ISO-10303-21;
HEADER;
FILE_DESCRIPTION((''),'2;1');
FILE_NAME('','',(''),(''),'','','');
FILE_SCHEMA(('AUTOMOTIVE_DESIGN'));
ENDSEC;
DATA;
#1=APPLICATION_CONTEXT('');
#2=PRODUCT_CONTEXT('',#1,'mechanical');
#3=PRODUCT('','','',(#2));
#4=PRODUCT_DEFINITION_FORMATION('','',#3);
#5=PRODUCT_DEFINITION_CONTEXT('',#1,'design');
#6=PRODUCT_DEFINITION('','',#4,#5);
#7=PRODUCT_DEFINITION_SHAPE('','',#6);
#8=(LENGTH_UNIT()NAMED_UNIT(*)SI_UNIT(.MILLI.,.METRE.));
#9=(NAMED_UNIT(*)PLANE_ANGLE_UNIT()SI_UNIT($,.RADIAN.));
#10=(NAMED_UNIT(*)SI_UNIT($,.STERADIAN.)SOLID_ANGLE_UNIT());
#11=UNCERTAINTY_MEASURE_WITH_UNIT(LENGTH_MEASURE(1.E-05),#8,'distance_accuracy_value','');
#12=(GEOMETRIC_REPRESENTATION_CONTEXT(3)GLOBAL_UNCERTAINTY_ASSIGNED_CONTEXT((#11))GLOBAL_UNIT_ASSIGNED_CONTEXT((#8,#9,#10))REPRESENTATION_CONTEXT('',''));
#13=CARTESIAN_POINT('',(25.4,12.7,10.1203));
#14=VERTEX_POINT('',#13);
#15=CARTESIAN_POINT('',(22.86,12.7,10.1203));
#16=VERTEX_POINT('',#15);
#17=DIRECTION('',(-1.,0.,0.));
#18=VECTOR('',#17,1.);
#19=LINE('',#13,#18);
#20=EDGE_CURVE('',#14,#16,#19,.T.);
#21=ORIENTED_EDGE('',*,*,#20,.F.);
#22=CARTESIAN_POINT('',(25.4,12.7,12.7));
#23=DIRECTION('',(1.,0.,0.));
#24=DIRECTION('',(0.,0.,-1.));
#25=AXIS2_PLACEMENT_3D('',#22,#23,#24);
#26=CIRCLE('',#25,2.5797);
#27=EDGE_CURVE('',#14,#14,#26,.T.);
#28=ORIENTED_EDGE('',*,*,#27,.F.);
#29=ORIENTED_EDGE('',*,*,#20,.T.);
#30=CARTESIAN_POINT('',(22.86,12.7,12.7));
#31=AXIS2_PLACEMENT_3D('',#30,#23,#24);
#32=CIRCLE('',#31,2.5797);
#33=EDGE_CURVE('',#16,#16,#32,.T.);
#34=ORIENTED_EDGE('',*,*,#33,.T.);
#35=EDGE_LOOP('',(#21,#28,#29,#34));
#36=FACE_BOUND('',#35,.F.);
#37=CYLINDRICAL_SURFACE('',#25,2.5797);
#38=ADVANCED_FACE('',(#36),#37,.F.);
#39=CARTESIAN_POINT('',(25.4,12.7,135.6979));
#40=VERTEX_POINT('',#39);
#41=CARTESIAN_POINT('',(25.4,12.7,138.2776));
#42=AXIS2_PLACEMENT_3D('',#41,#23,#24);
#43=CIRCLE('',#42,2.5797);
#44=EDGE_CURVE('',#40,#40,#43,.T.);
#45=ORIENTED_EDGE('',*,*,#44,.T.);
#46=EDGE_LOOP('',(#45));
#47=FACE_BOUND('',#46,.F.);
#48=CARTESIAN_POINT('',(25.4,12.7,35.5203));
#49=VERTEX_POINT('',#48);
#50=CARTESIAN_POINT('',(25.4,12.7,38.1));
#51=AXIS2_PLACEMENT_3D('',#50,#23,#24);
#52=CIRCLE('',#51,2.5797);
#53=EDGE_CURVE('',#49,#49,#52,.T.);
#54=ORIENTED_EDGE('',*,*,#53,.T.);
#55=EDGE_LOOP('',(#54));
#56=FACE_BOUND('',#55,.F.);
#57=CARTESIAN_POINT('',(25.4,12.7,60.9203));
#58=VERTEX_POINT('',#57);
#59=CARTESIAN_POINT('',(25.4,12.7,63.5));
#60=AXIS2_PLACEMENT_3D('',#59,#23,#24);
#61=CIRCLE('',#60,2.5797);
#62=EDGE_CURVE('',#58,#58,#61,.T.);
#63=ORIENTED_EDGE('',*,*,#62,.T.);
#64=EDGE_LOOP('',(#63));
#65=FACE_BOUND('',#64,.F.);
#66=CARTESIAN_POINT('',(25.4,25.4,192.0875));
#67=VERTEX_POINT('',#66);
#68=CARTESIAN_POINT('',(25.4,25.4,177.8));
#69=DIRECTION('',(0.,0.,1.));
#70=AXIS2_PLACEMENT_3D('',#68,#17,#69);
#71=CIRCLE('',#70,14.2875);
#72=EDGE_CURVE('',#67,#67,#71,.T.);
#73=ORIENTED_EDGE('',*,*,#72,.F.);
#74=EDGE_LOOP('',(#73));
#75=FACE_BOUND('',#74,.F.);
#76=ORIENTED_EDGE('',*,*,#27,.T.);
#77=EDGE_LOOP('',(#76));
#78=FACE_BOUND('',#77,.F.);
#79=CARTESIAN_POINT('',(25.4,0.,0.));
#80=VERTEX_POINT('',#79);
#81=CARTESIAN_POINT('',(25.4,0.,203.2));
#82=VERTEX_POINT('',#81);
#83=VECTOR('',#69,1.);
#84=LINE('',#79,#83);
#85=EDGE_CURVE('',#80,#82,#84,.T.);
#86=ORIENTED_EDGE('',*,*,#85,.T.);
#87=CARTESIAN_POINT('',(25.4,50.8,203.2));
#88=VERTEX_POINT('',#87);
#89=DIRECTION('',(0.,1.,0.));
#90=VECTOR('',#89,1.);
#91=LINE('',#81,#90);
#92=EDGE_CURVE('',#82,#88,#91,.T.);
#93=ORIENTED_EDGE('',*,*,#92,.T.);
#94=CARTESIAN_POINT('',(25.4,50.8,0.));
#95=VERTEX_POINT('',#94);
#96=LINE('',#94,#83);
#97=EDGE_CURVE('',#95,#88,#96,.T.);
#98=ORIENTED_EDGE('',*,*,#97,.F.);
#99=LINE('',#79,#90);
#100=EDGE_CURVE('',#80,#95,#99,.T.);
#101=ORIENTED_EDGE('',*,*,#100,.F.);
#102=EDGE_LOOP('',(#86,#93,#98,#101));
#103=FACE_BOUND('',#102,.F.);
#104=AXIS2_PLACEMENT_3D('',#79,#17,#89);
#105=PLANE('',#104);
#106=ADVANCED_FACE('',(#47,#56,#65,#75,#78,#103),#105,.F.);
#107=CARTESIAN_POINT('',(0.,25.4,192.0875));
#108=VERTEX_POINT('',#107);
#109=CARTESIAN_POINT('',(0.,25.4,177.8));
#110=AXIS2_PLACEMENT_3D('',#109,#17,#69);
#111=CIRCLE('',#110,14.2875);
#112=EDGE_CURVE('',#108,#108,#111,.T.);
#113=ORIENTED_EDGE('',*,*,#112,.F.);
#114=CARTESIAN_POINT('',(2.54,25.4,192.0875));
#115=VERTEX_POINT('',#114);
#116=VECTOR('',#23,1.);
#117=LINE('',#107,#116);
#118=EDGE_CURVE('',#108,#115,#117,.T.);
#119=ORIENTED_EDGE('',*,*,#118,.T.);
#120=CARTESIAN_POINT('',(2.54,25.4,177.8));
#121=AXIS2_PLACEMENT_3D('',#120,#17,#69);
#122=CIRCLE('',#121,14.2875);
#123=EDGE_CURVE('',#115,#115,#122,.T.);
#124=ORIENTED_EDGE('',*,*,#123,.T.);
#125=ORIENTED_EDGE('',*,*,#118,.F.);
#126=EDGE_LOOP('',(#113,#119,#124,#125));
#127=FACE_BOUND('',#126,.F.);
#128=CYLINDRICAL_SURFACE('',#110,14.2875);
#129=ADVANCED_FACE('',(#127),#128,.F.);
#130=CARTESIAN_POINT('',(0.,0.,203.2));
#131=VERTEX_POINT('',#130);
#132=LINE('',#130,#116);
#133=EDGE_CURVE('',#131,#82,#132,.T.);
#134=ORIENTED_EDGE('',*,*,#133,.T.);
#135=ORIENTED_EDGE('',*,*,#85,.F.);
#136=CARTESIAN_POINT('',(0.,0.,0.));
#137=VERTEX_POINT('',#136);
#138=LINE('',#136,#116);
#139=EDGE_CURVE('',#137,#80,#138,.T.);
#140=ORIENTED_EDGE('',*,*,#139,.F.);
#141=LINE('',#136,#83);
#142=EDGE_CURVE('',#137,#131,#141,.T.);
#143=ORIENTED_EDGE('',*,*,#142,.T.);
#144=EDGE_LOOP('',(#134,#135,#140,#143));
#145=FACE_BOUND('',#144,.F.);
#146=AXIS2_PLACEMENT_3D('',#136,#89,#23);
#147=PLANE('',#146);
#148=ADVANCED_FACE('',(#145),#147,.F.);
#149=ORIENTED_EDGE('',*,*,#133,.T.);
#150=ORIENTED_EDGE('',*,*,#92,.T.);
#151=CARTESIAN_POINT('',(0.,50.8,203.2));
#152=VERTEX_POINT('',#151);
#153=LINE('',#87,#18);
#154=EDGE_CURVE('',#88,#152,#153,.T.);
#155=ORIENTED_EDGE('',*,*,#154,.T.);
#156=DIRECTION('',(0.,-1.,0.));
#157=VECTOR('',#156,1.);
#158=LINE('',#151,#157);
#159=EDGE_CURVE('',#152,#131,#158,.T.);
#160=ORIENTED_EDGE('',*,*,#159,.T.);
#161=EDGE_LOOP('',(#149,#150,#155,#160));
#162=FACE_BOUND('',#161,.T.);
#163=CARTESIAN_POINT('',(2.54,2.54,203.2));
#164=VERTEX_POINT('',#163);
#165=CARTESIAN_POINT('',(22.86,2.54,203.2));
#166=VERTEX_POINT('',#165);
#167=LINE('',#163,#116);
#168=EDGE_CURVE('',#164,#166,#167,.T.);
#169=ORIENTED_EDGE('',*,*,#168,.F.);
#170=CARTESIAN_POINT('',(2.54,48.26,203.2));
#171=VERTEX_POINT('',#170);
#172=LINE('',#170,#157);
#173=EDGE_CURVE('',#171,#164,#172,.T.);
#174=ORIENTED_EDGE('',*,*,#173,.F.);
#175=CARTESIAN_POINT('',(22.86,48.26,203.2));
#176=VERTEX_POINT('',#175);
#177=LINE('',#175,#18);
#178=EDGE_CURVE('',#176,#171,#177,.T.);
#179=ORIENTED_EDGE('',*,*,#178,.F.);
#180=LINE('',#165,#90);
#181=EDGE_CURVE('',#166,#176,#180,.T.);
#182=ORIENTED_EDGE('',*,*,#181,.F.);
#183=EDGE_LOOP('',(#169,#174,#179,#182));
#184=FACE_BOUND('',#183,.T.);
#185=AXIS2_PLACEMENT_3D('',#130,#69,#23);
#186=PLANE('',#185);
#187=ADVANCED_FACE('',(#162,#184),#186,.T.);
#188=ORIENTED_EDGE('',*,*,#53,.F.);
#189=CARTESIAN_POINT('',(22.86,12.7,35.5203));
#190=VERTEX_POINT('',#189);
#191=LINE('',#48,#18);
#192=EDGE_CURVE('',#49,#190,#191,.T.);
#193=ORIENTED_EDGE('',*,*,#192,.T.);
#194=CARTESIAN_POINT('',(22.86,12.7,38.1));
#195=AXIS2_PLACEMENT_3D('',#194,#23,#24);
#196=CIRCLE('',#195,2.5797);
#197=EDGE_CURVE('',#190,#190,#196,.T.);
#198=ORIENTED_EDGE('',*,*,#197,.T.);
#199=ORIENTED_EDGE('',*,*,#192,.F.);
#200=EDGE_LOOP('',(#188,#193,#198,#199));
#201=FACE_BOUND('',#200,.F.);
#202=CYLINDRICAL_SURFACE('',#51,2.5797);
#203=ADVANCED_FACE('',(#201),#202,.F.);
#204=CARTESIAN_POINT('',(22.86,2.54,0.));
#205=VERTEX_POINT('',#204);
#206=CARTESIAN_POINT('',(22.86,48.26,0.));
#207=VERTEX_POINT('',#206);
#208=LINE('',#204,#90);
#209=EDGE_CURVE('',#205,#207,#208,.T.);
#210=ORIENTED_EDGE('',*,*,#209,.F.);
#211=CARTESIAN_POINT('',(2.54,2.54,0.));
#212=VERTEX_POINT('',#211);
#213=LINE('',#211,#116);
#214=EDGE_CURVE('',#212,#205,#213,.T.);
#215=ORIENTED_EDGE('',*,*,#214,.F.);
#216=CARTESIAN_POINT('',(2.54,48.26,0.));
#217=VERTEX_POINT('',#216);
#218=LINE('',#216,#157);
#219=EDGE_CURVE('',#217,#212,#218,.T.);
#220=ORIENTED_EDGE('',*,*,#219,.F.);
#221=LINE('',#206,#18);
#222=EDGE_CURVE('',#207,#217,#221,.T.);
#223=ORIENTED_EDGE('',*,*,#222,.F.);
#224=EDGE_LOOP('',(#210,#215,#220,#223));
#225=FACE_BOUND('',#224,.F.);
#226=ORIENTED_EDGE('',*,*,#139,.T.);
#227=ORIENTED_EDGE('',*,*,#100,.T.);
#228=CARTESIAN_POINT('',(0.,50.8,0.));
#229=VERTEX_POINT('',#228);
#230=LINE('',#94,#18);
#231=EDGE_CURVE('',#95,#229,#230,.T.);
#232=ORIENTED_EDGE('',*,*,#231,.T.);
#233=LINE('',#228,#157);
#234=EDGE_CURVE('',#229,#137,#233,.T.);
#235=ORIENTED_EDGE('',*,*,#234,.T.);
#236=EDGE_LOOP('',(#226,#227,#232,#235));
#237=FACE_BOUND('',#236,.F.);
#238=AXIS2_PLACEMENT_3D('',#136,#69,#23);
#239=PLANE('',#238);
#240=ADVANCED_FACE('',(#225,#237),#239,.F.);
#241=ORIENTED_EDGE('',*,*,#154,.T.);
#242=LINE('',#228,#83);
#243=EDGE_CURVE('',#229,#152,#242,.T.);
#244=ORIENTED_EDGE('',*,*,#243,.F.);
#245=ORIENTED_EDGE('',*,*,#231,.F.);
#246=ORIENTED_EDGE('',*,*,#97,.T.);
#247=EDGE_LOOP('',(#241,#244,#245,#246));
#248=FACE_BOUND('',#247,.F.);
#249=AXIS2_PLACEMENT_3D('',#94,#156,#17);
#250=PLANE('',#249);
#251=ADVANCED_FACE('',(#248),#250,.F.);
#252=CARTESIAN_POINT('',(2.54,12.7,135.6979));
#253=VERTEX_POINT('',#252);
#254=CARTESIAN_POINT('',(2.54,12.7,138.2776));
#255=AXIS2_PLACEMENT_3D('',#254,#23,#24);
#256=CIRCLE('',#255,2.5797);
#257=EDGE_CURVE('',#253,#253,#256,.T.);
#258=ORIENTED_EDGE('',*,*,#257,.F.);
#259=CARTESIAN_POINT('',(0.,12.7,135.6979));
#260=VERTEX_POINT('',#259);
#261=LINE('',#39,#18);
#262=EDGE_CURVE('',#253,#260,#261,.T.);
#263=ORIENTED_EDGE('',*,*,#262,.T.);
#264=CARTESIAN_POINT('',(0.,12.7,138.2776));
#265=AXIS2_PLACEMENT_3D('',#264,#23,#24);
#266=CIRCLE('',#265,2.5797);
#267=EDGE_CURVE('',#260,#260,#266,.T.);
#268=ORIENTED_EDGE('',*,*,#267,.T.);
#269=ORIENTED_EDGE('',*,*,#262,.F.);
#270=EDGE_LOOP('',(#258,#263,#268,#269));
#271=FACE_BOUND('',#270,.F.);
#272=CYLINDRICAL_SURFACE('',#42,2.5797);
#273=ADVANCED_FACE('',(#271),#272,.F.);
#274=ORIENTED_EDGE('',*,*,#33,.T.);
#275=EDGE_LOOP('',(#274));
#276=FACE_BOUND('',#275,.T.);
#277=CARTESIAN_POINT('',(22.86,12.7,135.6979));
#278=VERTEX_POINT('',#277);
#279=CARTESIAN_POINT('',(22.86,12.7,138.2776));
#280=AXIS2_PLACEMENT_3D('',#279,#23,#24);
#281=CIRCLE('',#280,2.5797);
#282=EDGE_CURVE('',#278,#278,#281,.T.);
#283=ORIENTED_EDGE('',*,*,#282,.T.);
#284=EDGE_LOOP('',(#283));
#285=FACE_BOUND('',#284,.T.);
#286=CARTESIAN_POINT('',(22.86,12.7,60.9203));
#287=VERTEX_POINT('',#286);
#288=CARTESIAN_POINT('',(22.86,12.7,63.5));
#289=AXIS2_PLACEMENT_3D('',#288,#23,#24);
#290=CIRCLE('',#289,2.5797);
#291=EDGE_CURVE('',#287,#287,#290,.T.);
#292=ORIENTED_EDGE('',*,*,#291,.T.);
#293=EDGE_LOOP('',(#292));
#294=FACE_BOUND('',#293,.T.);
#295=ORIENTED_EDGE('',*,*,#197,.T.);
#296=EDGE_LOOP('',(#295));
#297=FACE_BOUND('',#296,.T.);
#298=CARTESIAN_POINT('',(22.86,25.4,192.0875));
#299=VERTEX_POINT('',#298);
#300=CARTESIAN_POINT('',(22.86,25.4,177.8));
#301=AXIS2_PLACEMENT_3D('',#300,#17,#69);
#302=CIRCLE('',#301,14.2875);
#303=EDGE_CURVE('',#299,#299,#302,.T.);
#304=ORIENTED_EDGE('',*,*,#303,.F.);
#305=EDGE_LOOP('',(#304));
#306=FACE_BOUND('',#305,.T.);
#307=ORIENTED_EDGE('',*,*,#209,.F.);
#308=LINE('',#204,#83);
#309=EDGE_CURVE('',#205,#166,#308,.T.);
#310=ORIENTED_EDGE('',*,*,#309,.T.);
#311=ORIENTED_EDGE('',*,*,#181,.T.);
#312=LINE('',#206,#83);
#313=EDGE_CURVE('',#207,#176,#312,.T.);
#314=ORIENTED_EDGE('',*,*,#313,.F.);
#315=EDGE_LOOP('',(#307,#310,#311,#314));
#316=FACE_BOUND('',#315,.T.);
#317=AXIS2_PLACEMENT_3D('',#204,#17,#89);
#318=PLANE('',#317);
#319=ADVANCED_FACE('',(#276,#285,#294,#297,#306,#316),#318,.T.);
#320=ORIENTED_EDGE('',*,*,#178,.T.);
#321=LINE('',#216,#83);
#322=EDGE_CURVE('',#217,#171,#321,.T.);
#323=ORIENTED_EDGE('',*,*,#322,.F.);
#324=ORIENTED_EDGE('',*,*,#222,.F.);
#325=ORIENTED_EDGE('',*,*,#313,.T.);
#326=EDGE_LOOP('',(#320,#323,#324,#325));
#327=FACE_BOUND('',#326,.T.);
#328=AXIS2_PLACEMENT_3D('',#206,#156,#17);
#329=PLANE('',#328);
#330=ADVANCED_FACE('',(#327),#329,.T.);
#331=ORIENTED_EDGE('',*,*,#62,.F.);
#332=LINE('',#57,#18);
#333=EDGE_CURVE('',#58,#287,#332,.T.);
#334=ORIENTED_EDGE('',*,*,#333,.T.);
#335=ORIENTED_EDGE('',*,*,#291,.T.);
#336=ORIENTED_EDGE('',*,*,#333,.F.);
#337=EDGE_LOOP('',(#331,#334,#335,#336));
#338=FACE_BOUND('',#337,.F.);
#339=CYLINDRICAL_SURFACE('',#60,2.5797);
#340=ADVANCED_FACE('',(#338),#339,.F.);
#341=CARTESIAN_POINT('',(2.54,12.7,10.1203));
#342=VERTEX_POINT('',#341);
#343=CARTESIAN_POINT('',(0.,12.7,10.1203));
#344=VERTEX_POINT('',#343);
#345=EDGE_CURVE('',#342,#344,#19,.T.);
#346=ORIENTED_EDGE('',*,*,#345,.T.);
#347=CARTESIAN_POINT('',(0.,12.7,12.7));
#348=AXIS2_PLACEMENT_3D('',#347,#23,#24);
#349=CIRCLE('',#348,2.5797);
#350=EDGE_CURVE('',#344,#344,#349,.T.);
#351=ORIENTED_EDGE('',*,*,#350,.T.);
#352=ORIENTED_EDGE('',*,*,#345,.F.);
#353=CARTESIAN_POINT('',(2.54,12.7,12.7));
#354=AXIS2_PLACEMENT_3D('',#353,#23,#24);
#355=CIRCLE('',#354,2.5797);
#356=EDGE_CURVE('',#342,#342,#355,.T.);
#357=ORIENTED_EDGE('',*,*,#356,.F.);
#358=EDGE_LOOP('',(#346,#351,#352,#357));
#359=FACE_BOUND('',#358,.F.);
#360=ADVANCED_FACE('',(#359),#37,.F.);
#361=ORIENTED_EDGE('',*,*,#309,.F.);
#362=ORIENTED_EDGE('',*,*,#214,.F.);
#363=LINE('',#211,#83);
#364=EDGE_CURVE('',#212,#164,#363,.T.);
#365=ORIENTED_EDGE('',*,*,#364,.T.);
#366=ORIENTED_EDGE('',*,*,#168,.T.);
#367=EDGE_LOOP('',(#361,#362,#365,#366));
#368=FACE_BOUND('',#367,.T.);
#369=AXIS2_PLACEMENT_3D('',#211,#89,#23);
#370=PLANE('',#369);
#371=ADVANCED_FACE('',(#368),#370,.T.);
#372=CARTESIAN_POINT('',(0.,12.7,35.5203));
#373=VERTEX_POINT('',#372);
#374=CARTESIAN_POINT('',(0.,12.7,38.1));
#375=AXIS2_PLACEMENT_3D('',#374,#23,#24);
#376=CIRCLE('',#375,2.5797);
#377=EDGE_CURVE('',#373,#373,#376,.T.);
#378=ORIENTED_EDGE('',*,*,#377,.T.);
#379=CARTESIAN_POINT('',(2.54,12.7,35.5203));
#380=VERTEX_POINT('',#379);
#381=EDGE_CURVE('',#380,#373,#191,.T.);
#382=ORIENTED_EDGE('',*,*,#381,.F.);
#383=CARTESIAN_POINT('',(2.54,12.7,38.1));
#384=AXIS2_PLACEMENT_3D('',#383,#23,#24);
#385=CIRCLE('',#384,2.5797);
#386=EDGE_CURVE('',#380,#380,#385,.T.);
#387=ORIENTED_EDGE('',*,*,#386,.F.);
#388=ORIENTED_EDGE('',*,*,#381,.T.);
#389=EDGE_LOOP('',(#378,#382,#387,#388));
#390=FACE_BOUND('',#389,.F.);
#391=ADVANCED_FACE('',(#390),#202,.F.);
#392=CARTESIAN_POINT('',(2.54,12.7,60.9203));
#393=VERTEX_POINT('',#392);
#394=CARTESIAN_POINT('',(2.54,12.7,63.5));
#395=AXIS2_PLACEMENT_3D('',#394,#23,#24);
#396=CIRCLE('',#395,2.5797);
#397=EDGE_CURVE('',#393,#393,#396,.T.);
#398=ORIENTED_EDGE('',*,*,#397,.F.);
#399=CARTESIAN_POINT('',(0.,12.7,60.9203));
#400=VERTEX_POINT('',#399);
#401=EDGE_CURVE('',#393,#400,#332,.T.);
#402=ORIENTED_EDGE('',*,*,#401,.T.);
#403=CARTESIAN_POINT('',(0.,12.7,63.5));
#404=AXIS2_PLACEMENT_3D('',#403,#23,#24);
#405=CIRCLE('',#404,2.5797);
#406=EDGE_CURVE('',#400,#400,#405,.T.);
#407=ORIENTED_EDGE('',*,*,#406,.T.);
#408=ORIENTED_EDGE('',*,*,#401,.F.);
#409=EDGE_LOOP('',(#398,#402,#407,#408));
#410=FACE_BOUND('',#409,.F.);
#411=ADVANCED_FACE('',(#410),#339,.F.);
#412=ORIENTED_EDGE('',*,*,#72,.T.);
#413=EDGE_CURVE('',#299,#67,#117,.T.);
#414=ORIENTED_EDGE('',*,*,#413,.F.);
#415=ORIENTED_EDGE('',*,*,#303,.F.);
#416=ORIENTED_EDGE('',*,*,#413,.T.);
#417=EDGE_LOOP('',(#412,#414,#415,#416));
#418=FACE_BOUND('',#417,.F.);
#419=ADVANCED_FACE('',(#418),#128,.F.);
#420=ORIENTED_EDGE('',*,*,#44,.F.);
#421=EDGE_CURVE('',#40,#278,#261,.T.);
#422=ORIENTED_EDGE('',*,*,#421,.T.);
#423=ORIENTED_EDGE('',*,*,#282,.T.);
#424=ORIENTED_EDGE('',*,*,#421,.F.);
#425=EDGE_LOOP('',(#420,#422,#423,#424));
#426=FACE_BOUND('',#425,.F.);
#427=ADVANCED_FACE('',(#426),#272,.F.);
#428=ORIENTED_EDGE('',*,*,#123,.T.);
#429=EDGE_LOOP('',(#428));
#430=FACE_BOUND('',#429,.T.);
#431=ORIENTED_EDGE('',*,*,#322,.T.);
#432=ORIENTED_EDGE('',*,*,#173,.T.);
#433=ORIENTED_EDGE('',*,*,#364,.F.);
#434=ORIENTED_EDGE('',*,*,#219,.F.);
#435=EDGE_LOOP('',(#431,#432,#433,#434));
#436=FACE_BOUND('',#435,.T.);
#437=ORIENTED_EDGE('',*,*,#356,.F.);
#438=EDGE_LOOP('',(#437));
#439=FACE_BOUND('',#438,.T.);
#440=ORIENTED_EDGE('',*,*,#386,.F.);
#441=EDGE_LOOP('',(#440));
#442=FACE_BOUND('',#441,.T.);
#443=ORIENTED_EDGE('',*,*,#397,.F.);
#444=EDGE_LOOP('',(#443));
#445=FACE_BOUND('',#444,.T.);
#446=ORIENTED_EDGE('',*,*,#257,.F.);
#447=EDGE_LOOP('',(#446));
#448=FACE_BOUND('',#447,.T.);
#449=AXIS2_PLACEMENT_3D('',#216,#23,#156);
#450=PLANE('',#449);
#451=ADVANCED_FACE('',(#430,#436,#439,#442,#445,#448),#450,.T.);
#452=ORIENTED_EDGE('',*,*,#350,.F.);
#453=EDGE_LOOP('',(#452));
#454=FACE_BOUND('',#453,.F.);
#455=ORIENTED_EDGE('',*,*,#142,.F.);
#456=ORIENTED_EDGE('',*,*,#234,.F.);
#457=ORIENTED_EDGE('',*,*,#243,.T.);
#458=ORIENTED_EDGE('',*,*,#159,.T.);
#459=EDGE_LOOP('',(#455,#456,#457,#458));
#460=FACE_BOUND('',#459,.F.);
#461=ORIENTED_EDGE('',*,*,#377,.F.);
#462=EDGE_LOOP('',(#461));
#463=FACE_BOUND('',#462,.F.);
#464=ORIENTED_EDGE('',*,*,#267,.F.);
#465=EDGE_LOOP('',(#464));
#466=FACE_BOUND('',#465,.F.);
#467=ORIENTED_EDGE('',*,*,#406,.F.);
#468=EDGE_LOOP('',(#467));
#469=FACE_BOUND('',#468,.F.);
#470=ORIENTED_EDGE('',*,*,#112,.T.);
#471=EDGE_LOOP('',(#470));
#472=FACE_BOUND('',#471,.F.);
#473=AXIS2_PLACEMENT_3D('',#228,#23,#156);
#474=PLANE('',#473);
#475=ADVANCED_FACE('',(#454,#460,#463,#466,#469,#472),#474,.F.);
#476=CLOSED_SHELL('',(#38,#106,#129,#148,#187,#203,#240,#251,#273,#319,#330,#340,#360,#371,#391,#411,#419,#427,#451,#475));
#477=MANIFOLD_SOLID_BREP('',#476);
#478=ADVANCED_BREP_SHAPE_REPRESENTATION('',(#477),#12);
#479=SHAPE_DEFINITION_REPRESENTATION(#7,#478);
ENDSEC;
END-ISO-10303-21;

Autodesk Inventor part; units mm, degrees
ref_plane "YZ Plane" through (0, 0, 0) normal (1, 0, 0) x (0, 1, 0)
ref_plane "XZ Plane" through (0, 0, 0) normal (0, 1, 0) x (-1, 0, 0)
ref_plane "XY Plane" through (0, 0, 0) normal (0, 0, 1) x (1, 0, 0)
sketch "Sketch1" plane through (0, 0, 0) normal (0, 0, 1) x (1, 0, 0)
  line L0 (0, 0) -> (25.4, 0)
  line L1 (25.4, 0) -> (25.4, 50.8)
  line L2 (25.4, 50.8) -> (0, 50.8)
  line L3 (0, 50.8) -> (0, 0)
  line L4 (22.86, 48.26) -> (2.54, 48.26)
  line L5 (2.54, 48.26) -> (2.54, 2.54)
  line L6 (2.54, 2.54) -> (22.86, 2.54)
  line L7 (22.86, 2.54) -> (22.86, 48.26)
  dimension "d0" = 50.8
  dimension "d1" = 25.4
  dimension "d2" = 2.54
  dimension "d3" = 2.54
  dimension "d4" = 2.54
  dimension "d5" = 2.54
extrude "Extrusion1" add sketch "Sketch1" along normal blind 203.2
sketch "Sketch2" plane through (25.4, 0, 0) normal (1, 0, 0) x (0, 0, -1)
  circle A0 centre (-12.7, 12.7) radius 2.5797
  circle A1 centre (-63.5, 12.7) radius 2.5797
  circle A2 centre (-38.1, 12.7) radius 2.5797
  line L0 (0, 2.54) -> (-203.2, 2.54) projected
  line L1 (0, 0) -> (-203.2, 0) projected
  line L2 (0, 0) -> (0, 50.8) projected
  line L3 (-203.2, 0) -> (-203.2, 50.8) projected
  dimension "d8" = 5.1594
  dimension "d10" = 5.1594
  dimension "d11" = 5.1594
  dimension "d12" = 12.7
  dimension "d13" = 12.7
  dimension "d14" = 12.7
  dimension "d16" = 12.7
  dimension "d18" = 38.1
  dimension "d21" = 25.4
extrude "Extrusion2" cut sketch "Sketch2" against normal blind 203.2 contours A0 | A1 | A2
sketch "Sketch3" plane through (25.4, 0, 0) normal (1, 0, 0) x (0, 0, -1)
  circle A0 centre (-138.2776, 12.7) radius 2.5797
  line L0 (-203.2, 0) -> (-203.2, 50.8) projected
  line L1 (0, 0) -> (-203.2, 0) projected
  dimension "d24" = 5.1594
  dimension "d25" = 64.9224
  dimension "d26" = 12.7
extrude "Extrusion3" cut sketch "Sketch3" against normal blind 203.2
sketch "Sketch4" plane through (0, 0, 0) normal (-1, 0, 0) x (0, 0, 1)
  circle A0 centre (177.8, 25.4) radius 14.2875
  line L0 (203.2, 50.8) -> (203.2, 0) projected
  line L1 (0, 0) -> (203.2, 0) projected
  dimension "d29" = 28.575
  dimension "d31" = 25.4
  dimension "d32" = 25.4
extrude "Extrusion4" cut sketch "Sketch4" against normal blind 25.4
equation "\"d3\" = d2"
equation "\"d4\" = d2"
equation "\"d5\" = d2"
properties part number "1x2"
